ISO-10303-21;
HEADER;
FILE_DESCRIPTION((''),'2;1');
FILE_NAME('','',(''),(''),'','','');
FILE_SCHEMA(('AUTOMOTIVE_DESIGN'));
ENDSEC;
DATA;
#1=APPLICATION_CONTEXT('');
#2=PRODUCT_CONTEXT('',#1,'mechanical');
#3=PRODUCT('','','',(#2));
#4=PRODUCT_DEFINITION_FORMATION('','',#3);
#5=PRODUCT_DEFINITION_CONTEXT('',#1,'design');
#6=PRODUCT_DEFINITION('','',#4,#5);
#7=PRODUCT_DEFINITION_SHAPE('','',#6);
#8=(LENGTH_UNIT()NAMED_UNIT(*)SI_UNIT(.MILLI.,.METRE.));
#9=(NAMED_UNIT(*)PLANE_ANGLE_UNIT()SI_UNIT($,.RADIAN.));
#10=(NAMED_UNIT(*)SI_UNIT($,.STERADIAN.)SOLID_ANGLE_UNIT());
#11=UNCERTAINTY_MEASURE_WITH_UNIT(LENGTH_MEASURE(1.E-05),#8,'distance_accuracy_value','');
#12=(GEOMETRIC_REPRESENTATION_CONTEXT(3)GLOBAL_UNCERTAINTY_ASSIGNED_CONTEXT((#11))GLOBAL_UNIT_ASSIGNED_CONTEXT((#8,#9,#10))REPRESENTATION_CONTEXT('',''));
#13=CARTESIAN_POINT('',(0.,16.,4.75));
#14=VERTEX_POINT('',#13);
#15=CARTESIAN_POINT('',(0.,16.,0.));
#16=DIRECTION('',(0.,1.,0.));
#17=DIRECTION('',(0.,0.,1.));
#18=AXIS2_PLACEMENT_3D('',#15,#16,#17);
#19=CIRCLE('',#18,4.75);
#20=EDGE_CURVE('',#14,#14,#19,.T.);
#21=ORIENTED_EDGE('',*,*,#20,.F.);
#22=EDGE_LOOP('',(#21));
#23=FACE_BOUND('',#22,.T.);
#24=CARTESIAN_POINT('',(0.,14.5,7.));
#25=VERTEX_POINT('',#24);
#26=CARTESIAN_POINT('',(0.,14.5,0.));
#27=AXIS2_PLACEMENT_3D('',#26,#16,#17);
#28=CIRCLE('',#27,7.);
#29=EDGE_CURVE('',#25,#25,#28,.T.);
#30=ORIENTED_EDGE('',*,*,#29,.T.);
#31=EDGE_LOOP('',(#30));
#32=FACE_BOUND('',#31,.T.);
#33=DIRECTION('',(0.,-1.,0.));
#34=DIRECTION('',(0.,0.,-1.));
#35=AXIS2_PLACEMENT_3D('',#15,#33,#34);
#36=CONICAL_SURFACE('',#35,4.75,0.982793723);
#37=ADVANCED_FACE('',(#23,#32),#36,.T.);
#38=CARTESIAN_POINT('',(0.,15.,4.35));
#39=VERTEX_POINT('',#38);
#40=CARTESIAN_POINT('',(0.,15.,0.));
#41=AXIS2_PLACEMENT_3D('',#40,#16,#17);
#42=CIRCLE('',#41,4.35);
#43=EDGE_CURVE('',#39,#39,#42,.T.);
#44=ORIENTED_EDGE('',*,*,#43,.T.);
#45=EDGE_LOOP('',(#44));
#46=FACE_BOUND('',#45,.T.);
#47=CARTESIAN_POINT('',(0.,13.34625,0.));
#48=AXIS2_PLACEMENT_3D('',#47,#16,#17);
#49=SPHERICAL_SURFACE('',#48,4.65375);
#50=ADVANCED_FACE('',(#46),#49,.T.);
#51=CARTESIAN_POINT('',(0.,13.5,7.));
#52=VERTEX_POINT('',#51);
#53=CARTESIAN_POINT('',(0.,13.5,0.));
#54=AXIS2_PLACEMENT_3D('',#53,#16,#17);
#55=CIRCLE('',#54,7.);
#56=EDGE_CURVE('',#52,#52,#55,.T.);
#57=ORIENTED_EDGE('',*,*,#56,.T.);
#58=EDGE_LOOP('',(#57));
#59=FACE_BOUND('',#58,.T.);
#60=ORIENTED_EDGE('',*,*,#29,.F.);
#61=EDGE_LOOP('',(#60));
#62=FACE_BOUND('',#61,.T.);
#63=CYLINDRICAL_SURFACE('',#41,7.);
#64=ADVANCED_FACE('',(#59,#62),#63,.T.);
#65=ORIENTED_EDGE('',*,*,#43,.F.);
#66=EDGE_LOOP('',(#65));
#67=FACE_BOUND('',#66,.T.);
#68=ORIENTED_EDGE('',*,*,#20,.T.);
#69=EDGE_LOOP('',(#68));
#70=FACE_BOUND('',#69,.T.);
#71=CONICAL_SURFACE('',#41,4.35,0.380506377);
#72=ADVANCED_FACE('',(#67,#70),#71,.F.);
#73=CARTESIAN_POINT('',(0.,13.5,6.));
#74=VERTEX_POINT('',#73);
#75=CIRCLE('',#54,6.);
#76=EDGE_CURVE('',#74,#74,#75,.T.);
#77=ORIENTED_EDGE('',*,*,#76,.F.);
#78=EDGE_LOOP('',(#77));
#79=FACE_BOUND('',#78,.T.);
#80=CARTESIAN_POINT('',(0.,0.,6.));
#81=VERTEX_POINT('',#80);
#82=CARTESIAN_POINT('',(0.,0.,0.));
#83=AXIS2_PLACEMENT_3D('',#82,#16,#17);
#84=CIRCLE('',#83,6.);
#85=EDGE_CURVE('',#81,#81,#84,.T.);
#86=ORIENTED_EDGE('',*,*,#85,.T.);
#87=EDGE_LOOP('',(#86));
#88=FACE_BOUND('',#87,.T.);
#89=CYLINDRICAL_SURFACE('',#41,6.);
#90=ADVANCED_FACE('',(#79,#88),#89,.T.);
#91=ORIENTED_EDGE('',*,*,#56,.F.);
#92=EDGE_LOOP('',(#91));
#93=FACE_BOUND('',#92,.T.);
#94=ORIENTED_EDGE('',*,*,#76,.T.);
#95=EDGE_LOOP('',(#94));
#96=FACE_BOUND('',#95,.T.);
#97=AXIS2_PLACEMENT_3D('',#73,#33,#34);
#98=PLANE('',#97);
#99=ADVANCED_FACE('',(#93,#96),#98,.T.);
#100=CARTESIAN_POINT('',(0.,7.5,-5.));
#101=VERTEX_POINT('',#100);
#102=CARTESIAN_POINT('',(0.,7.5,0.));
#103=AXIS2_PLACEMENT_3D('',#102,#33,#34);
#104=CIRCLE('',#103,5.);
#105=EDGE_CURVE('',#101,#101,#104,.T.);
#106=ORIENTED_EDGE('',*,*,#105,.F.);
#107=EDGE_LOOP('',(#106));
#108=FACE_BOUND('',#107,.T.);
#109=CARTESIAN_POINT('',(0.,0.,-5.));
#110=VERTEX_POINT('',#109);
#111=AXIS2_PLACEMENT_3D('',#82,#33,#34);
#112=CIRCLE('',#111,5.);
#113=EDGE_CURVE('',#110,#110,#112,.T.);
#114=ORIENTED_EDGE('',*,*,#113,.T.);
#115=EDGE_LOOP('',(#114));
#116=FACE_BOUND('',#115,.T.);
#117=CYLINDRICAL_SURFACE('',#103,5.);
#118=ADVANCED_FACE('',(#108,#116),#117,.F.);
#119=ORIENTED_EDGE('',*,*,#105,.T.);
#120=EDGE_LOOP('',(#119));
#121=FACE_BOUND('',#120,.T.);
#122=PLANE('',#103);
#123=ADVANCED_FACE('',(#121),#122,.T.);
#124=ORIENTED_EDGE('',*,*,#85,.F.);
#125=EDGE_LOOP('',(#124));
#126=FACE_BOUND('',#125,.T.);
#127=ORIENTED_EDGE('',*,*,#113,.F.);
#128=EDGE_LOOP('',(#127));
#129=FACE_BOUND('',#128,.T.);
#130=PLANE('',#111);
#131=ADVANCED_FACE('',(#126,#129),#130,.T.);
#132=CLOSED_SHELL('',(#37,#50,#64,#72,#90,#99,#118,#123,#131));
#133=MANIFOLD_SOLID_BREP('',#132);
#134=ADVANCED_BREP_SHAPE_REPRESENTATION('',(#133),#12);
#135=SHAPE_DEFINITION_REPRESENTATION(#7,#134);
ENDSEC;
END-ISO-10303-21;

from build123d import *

# Parameters (mm, degrees)
DOME2_FACE_RADIUS  = 4.35
DOME2_HEIGHT       = 3
SKETCH6_R          = 5
CUT_EXTRUDE1_DEPTH = 7.5


with BuildPart() as part:
    # Sketch1 → Revolve1 (revolve)
    with BuildSketch(Plane(origin=(0, 0, 0), x_dir=(0, 0, -1), z_dir=(1, 0, 0))):
        Polygon((0, 0), (-6, 0), (-6, 13.5), (-7, 13.5), (-7, 14.5), (-4.75, 16), (-4.35, 15), (0, 15), align=None)
    revolve(axis=Axis((0, 15, 0), (0, -1, 0)))

    # Dome2: a dome of height H over a round flat face of radius A is a cap of a sphere of radius (A * A + H * H) / (2 * H)
    dome2_r = (DOME2_FACE_RADIUS * DOME2_FACE_RADIUS + DOME2_HEIGHT * DOME2_HEIGHT) / (2 * DOME2_HEIGHT)
    dome2_base = Plane((0, 15, 0), z_dir=(0, 1, 0))
    with Locations(dome2_base.offset(DOME2_HEIGHT - dome2_r)):
        dome2_ball = Sphere(dome2_r, mode=Mode.PRIVATE)
    add(split(dome2_ball, bisect_by=dome2_base, keep=Keep.TOP, mode=Mode.PRIVATE))

    # Sketch6 → Cut-Extrude1 (cut)
    with BuildSketch(Plane.XZ):
        with Locations(Location((0, 0, 0), (0, 0, 270))):
            Circle(SKETCH6_R)
    extrude(amount=-CUT_EXTRUDE1_DEPTH, mode=Mode.SUBTRACT)


solid = part.part
